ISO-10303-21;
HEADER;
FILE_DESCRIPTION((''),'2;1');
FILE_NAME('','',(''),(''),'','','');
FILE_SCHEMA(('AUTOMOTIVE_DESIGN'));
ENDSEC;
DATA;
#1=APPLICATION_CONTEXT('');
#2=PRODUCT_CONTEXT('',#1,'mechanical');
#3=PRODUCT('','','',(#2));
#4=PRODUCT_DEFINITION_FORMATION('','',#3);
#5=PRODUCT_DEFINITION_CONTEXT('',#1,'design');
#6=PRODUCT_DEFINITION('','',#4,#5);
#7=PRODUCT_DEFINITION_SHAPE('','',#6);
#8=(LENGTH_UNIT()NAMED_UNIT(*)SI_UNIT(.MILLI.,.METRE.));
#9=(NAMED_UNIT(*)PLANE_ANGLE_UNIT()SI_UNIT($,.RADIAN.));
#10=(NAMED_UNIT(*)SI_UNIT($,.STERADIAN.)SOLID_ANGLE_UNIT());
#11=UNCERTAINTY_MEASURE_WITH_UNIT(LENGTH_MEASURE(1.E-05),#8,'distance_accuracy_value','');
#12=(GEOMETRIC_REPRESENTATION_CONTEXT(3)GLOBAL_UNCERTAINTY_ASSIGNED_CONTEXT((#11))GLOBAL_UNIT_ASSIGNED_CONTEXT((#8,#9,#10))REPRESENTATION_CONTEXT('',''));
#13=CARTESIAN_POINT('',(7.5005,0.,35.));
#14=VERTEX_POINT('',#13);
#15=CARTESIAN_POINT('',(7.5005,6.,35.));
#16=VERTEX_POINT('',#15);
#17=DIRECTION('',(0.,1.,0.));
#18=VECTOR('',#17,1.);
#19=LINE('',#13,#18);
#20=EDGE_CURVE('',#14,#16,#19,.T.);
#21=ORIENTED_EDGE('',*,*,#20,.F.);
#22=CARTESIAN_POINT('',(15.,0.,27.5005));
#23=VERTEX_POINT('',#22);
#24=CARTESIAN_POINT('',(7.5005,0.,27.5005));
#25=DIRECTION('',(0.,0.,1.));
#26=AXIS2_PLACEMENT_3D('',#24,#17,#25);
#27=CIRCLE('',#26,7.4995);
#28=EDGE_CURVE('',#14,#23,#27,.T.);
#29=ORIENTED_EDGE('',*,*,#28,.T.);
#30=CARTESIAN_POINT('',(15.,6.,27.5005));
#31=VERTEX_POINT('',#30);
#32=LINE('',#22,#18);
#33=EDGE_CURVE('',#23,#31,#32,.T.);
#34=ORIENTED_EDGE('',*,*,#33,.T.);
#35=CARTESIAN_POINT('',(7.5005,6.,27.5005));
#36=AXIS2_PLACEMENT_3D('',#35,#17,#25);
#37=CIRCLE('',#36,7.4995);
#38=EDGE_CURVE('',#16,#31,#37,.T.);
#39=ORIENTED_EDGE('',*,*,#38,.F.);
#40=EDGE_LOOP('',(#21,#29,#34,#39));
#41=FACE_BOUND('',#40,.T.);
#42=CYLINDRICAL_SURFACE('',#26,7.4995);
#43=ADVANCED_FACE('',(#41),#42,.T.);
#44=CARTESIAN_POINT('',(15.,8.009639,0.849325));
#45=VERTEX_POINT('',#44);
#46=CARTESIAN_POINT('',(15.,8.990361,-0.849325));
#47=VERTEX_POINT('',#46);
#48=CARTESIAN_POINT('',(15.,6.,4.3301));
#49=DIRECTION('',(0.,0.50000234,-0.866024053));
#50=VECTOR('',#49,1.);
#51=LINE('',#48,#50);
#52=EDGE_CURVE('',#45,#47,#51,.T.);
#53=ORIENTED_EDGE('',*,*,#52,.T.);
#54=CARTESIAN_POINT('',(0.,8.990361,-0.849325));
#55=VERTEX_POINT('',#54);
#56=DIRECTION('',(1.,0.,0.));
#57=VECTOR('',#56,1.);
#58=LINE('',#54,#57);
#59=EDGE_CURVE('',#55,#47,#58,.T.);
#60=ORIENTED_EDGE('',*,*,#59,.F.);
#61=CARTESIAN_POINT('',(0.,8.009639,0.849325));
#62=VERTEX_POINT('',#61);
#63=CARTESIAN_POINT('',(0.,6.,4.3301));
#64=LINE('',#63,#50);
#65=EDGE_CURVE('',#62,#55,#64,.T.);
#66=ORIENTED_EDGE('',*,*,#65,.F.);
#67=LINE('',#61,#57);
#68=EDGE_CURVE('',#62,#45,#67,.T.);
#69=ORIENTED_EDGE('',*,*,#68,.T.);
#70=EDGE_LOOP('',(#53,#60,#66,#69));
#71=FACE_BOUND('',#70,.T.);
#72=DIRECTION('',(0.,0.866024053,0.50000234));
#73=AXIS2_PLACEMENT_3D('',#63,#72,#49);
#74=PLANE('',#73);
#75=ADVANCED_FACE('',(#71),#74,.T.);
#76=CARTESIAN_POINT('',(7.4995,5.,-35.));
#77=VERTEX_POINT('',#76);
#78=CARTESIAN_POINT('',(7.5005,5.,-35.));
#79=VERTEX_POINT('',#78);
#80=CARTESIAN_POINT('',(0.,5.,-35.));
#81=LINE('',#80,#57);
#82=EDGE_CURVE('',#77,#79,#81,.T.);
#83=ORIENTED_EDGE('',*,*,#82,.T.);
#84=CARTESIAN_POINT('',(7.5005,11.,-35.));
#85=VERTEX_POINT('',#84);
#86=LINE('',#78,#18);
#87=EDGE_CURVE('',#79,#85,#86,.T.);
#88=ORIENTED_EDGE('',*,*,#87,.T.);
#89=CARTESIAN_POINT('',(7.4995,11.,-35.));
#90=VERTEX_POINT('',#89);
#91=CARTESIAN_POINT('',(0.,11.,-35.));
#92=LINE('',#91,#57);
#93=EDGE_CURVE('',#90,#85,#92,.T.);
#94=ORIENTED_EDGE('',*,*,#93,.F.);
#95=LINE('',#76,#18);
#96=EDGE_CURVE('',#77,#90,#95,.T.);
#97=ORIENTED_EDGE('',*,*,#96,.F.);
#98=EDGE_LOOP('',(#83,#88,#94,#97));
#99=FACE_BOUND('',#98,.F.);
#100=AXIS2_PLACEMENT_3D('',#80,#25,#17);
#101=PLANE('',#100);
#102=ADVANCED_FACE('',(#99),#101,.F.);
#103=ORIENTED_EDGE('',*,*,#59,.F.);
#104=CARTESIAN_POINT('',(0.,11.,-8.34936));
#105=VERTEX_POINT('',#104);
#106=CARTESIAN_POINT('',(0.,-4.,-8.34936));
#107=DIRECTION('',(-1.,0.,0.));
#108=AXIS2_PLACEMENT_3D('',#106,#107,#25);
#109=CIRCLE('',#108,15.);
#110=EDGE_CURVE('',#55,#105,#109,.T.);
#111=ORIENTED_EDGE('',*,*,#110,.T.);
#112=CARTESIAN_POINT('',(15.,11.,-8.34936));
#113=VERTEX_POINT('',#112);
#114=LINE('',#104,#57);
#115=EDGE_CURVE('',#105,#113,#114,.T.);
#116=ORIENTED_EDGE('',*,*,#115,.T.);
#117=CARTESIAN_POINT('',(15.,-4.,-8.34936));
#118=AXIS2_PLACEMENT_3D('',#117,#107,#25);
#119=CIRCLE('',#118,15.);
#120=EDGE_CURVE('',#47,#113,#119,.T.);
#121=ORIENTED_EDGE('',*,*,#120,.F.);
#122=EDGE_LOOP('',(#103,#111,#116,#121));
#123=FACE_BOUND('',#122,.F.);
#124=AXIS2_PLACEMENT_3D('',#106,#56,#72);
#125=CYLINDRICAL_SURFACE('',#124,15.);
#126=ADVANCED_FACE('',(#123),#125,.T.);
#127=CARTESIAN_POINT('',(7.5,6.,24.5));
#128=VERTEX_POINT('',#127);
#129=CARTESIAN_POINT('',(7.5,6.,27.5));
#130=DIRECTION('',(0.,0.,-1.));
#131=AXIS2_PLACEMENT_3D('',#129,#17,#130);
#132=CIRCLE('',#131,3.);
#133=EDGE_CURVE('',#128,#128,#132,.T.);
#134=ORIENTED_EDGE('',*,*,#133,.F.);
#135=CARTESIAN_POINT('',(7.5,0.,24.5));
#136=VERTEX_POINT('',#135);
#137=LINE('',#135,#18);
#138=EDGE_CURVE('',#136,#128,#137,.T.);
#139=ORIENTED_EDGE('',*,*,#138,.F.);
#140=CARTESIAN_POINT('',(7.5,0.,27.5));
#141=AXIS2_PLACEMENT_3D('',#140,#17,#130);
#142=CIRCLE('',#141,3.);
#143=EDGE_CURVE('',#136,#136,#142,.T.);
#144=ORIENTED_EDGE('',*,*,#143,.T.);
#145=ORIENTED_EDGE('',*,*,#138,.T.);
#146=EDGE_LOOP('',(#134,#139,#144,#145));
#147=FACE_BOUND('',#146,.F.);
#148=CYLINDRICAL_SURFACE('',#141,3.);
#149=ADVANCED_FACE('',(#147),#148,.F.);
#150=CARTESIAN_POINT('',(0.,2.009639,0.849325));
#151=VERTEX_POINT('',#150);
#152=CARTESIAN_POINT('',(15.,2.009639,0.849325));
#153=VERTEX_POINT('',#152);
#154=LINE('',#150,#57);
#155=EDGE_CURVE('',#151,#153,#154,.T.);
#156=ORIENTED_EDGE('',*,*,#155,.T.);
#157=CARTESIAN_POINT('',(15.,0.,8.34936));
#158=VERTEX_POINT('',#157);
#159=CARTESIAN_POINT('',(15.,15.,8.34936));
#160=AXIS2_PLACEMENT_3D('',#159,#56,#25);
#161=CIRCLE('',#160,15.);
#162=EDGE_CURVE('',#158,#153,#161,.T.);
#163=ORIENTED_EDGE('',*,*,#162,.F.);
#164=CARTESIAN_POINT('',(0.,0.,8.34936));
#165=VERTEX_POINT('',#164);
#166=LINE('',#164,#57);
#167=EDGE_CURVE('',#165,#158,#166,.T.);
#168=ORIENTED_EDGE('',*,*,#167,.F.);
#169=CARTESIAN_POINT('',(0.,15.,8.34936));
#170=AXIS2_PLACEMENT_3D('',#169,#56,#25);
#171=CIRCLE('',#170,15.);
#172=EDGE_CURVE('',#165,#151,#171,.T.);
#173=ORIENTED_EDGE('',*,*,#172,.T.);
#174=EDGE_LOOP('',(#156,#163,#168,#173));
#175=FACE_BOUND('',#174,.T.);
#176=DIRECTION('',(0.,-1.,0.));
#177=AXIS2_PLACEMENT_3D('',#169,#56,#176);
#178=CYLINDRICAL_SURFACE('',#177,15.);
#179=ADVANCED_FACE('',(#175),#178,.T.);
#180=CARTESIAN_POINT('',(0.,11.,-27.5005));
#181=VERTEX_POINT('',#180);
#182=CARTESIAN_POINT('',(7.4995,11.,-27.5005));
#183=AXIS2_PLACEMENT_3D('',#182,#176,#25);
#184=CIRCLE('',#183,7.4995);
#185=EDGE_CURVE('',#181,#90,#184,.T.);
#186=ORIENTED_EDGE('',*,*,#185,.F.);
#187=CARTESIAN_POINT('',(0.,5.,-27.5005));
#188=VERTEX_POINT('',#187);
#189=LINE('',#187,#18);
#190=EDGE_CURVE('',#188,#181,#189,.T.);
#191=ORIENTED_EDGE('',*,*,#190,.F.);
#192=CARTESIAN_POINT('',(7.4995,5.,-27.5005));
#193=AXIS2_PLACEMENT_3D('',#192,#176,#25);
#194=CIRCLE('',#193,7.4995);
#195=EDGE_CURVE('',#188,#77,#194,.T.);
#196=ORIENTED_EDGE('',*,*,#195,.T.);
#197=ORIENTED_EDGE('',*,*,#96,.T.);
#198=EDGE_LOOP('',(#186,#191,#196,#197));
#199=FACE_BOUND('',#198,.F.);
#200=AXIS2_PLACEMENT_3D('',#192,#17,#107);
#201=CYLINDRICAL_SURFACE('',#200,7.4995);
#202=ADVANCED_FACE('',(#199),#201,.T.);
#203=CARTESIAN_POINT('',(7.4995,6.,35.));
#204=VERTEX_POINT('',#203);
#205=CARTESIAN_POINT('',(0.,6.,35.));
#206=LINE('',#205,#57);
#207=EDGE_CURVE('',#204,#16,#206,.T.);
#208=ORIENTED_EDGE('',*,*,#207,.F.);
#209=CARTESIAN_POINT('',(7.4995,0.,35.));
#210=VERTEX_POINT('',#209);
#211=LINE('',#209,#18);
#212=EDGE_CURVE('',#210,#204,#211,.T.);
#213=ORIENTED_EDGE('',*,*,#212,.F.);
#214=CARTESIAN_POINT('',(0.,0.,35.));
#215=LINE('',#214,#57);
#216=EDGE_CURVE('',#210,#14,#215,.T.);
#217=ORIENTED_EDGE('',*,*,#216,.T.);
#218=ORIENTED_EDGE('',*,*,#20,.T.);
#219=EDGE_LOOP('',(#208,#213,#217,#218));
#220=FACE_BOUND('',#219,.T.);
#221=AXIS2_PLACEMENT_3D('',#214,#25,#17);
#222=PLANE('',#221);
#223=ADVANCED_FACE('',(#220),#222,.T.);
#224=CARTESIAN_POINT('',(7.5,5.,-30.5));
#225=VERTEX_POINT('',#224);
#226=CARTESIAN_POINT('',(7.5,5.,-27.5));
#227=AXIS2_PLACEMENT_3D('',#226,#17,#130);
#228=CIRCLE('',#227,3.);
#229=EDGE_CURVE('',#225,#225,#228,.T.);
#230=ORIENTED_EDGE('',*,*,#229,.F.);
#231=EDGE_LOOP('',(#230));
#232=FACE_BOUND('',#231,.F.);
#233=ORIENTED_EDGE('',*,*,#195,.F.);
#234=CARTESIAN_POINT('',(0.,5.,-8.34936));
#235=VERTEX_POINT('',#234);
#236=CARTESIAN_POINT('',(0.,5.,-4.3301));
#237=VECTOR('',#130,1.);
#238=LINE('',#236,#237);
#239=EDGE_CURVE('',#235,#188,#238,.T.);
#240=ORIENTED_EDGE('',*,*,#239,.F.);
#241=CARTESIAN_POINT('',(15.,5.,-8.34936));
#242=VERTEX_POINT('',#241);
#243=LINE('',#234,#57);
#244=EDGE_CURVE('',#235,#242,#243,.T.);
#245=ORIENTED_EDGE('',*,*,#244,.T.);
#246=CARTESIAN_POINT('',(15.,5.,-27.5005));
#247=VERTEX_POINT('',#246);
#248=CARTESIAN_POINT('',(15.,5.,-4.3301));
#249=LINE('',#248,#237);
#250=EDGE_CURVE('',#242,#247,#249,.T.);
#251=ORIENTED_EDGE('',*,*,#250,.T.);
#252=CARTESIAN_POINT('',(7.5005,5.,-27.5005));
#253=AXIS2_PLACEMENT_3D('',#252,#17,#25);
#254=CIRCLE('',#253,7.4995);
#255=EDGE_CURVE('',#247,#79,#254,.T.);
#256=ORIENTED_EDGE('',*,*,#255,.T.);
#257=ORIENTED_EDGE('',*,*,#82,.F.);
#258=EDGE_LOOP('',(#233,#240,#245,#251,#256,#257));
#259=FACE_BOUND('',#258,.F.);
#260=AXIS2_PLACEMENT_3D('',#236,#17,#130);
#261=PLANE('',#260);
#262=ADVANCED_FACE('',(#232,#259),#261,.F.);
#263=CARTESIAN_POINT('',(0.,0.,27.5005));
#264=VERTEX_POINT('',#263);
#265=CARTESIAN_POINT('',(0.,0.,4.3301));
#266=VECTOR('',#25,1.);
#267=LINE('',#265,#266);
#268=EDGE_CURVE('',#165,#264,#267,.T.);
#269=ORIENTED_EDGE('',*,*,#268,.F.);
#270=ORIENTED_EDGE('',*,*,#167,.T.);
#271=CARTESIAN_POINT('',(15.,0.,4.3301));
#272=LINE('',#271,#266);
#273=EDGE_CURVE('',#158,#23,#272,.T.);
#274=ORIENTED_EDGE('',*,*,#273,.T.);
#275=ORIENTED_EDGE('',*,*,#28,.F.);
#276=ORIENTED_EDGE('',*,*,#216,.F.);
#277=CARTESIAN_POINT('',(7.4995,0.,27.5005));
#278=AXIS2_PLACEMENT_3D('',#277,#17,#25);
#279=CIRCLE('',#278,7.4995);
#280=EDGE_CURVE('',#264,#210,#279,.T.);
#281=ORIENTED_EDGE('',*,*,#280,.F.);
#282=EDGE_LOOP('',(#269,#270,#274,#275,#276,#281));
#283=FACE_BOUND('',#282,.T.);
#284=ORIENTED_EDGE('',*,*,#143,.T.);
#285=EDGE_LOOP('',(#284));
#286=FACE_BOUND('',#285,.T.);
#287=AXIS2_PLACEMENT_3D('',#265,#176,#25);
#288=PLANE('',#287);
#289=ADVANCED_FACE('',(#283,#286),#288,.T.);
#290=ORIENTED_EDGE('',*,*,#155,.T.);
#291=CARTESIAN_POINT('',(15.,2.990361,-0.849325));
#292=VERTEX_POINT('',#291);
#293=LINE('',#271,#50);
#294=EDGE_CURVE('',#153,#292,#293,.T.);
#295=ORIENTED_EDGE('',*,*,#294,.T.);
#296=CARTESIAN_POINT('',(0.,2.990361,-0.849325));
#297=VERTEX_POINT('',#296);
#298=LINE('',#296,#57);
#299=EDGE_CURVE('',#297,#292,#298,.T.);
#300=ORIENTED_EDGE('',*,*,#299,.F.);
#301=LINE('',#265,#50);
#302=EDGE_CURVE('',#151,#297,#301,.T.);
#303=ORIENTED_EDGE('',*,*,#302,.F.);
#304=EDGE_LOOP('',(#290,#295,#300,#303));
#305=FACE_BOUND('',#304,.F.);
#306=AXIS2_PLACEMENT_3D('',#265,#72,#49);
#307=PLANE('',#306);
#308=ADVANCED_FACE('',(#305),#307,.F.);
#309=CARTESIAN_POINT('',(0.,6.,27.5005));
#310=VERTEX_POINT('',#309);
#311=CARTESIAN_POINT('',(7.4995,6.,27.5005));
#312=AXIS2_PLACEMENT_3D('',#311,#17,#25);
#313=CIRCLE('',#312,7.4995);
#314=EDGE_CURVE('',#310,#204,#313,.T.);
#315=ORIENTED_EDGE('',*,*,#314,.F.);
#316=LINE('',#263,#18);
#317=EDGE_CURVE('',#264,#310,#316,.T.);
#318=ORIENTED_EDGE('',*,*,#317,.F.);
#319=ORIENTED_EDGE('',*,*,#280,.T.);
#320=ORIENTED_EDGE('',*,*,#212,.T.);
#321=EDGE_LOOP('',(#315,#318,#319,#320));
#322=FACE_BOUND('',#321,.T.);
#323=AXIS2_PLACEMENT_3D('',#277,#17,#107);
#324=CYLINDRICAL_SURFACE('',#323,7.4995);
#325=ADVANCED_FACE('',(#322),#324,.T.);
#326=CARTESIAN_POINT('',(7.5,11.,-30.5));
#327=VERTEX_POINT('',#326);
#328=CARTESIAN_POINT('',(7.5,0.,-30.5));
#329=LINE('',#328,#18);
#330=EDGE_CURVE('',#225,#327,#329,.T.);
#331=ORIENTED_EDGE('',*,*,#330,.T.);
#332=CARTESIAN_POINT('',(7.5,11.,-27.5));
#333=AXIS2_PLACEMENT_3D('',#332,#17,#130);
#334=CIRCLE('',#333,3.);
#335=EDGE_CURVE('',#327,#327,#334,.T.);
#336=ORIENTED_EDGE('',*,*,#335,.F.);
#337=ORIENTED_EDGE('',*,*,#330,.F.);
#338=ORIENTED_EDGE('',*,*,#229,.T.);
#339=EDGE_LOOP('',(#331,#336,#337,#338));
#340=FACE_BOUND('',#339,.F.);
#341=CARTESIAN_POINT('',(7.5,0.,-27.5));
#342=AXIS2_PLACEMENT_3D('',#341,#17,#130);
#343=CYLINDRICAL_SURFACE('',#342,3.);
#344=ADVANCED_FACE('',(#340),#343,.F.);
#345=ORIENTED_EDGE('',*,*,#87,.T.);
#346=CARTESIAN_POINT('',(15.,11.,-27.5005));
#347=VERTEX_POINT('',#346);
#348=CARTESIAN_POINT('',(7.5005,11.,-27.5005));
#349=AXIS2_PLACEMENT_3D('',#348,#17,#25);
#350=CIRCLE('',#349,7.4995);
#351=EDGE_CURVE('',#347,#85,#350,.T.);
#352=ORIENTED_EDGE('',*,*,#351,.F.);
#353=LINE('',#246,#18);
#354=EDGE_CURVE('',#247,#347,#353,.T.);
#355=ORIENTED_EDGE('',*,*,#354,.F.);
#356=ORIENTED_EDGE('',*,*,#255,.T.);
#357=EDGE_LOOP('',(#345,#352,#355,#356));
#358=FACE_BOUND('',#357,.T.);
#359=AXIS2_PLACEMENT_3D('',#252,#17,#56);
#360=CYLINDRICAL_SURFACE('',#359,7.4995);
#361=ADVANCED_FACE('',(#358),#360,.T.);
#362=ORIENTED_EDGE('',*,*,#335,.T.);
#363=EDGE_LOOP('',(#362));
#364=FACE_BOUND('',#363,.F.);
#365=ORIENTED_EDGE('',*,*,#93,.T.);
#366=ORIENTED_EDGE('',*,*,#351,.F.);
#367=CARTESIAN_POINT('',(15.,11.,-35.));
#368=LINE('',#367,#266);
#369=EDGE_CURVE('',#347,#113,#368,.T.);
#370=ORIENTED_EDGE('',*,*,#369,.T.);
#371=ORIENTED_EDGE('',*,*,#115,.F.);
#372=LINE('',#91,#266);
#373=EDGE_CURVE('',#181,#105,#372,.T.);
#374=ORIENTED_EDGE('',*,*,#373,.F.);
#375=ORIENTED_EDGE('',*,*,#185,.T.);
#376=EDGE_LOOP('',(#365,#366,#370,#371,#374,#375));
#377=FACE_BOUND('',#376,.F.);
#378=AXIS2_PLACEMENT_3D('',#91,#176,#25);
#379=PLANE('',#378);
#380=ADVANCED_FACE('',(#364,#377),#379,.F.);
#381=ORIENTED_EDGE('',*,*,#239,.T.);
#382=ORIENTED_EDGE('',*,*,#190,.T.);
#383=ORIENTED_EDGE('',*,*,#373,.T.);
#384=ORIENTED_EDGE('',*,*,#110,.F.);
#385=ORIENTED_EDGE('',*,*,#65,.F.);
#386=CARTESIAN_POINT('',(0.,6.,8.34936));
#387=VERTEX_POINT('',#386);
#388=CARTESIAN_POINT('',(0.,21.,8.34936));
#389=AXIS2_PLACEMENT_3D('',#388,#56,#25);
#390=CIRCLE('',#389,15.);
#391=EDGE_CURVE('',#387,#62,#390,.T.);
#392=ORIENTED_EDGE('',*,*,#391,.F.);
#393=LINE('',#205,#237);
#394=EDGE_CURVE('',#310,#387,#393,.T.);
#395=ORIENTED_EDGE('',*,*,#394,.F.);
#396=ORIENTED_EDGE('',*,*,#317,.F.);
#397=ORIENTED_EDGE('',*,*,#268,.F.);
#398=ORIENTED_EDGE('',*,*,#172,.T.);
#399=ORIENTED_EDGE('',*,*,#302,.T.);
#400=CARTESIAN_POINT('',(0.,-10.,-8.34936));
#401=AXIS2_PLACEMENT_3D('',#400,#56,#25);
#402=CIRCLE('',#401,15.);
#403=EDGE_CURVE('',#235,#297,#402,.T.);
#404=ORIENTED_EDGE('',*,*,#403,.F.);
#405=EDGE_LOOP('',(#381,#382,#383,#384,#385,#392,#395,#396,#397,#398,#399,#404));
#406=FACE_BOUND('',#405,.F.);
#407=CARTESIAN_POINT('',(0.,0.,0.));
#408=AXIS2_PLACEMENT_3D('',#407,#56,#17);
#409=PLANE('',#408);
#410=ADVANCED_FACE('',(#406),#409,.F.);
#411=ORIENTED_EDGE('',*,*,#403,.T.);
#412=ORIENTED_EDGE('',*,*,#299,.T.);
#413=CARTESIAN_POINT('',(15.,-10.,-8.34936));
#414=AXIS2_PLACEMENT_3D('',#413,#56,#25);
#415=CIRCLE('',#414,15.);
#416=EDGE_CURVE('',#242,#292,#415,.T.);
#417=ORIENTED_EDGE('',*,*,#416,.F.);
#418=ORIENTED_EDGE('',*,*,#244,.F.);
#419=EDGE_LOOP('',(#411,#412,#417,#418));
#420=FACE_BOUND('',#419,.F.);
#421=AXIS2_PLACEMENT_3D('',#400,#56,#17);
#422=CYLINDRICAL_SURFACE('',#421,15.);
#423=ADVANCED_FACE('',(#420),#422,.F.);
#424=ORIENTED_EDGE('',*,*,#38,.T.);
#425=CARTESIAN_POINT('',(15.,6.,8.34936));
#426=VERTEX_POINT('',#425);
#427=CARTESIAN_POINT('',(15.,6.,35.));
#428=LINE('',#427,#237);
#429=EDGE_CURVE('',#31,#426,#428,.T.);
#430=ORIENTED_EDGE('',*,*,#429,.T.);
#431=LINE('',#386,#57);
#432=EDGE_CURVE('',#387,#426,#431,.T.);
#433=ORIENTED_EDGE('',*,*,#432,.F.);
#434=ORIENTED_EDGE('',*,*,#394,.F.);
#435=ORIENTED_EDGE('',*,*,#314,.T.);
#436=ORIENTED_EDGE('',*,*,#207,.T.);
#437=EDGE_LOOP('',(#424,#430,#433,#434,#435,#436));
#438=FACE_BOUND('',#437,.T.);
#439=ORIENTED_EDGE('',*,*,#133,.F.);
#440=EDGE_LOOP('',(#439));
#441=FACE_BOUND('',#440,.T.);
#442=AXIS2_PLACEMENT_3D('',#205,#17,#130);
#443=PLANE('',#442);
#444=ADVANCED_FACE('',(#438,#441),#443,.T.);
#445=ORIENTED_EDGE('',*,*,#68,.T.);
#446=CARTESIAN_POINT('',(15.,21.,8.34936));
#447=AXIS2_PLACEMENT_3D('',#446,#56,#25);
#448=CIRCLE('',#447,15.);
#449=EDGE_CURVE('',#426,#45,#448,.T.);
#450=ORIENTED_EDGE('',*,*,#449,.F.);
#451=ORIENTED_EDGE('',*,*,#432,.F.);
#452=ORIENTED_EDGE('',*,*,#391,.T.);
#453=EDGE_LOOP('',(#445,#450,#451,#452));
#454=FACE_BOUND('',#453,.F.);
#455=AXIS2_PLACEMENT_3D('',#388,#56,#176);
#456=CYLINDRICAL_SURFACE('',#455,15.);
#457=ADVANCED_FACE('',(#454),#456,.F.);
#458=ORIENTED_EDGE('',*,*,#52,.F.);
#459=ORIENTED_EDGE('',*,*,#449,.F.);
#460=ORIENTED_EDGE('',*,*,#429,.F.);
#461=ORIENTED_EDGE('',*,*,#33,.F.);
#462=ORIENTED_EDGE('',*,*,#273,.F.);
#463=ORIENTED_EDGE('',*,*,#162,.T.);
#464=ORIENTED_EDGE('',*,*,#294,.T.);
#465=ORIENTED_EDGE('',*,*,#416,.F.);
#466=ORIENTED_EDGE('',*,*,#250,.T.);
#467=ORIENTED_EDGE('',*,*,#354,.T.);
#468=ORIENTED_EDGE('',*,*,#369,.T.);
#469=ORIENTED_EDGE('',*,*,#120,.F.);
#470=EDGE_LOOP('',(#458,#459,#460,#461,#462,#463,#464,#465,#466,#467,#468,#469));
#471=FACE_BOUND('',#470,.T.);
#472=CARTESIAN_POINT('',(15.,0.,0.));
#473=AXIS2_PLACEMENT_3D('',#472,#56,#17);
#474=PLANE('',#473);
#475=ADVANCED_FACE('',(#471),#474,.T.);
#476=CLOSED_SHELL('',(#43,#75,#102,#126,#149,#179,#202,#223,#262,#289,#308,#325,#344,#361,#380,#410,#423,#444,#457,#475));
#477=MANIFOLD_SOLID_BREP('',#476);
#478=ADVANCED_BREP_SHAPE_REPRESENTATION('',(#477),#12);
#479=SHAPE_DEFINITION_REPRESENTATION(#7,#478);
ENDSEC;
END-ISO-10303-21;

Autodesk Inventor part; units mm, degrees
ref_plane "YZ Plane" through (0, 0, 0) normal (1, 0, 0) x (0, 1, 0)
ref_plane "XZ Plane" through (0, 0, 0) normal (0, 1, 0) x (-1, 0, 0)
ref_plane "XY Plane" through (0, 0, 0) normal (0, 0, 1) x (1, 0, 0)
sketch "Sketch1" plane through (0, 0, 0) normal (1, 0, 0) x (0, 1, 0)
  line L0 (0, 4.3301) -> (0, 35)
  line L1 (0, 35) -> (6, 35)
  line L2 (6, 35) -> (6, 4.3301)
  line L3 (5, -4.3301) -> (5, -35)
  line L4 (5, -35) -> (11, -35)
  line L5 (11, -35) -> (11, -4.3301)
  line L6 (0, 4.3301) -> (5, -4.3301)
  line L7 (2.5, 0) -> (6, 0) construction
  line L8 (6, 4.3301) -> (11, -4.3301)
  point P0 (0, 0)
  dimension "d1" = 6
  dimension "d11" = 6
extrude "Extrusão1" add sketch "Sketch1" along normal blind 15
fillet "Arredondamento1" radius 15 4 edges at (7.5, 11, -4.3301) (7.5, 6, 4.3301) (7.5, 0, 4.3301) (7.5, 5, -4.3301)
fillet "Arredondamento2" radius 7.5 4 edges at (15, 3, 35) (0, 3, 35) (15, 8, -35) (0, 8, -35)
sketch "Esboço2" plane through (0, 0, 8.3494) normal (0, -1, 0) x (1, 0, 0)
  line L0 (0, -9.1987) -> (15, -9.1987) projected
  arc A0 (15, 19.1506) -> (0, 19.1506) centre (7.5, 19.1506) ccw projected
  arc A1 (0, -35.8494) -> (15, -35.8494) centre (7.5, -35.8494) ccw projected
  circle A2 centre (7.5, 19.1506) radius 3
  circle A3 centre (7.5, -35.8494) radius 3
  point P0 (0, -8.3494)
  dimension "d29" = 6
  dimension "d31" = 6
hole "Furo1" at (7.5, 0, 27.5) at (7.5, 0, -27.5) direction (0, 1, 0) diameter 6 end through all
properties part number "jumelo"
